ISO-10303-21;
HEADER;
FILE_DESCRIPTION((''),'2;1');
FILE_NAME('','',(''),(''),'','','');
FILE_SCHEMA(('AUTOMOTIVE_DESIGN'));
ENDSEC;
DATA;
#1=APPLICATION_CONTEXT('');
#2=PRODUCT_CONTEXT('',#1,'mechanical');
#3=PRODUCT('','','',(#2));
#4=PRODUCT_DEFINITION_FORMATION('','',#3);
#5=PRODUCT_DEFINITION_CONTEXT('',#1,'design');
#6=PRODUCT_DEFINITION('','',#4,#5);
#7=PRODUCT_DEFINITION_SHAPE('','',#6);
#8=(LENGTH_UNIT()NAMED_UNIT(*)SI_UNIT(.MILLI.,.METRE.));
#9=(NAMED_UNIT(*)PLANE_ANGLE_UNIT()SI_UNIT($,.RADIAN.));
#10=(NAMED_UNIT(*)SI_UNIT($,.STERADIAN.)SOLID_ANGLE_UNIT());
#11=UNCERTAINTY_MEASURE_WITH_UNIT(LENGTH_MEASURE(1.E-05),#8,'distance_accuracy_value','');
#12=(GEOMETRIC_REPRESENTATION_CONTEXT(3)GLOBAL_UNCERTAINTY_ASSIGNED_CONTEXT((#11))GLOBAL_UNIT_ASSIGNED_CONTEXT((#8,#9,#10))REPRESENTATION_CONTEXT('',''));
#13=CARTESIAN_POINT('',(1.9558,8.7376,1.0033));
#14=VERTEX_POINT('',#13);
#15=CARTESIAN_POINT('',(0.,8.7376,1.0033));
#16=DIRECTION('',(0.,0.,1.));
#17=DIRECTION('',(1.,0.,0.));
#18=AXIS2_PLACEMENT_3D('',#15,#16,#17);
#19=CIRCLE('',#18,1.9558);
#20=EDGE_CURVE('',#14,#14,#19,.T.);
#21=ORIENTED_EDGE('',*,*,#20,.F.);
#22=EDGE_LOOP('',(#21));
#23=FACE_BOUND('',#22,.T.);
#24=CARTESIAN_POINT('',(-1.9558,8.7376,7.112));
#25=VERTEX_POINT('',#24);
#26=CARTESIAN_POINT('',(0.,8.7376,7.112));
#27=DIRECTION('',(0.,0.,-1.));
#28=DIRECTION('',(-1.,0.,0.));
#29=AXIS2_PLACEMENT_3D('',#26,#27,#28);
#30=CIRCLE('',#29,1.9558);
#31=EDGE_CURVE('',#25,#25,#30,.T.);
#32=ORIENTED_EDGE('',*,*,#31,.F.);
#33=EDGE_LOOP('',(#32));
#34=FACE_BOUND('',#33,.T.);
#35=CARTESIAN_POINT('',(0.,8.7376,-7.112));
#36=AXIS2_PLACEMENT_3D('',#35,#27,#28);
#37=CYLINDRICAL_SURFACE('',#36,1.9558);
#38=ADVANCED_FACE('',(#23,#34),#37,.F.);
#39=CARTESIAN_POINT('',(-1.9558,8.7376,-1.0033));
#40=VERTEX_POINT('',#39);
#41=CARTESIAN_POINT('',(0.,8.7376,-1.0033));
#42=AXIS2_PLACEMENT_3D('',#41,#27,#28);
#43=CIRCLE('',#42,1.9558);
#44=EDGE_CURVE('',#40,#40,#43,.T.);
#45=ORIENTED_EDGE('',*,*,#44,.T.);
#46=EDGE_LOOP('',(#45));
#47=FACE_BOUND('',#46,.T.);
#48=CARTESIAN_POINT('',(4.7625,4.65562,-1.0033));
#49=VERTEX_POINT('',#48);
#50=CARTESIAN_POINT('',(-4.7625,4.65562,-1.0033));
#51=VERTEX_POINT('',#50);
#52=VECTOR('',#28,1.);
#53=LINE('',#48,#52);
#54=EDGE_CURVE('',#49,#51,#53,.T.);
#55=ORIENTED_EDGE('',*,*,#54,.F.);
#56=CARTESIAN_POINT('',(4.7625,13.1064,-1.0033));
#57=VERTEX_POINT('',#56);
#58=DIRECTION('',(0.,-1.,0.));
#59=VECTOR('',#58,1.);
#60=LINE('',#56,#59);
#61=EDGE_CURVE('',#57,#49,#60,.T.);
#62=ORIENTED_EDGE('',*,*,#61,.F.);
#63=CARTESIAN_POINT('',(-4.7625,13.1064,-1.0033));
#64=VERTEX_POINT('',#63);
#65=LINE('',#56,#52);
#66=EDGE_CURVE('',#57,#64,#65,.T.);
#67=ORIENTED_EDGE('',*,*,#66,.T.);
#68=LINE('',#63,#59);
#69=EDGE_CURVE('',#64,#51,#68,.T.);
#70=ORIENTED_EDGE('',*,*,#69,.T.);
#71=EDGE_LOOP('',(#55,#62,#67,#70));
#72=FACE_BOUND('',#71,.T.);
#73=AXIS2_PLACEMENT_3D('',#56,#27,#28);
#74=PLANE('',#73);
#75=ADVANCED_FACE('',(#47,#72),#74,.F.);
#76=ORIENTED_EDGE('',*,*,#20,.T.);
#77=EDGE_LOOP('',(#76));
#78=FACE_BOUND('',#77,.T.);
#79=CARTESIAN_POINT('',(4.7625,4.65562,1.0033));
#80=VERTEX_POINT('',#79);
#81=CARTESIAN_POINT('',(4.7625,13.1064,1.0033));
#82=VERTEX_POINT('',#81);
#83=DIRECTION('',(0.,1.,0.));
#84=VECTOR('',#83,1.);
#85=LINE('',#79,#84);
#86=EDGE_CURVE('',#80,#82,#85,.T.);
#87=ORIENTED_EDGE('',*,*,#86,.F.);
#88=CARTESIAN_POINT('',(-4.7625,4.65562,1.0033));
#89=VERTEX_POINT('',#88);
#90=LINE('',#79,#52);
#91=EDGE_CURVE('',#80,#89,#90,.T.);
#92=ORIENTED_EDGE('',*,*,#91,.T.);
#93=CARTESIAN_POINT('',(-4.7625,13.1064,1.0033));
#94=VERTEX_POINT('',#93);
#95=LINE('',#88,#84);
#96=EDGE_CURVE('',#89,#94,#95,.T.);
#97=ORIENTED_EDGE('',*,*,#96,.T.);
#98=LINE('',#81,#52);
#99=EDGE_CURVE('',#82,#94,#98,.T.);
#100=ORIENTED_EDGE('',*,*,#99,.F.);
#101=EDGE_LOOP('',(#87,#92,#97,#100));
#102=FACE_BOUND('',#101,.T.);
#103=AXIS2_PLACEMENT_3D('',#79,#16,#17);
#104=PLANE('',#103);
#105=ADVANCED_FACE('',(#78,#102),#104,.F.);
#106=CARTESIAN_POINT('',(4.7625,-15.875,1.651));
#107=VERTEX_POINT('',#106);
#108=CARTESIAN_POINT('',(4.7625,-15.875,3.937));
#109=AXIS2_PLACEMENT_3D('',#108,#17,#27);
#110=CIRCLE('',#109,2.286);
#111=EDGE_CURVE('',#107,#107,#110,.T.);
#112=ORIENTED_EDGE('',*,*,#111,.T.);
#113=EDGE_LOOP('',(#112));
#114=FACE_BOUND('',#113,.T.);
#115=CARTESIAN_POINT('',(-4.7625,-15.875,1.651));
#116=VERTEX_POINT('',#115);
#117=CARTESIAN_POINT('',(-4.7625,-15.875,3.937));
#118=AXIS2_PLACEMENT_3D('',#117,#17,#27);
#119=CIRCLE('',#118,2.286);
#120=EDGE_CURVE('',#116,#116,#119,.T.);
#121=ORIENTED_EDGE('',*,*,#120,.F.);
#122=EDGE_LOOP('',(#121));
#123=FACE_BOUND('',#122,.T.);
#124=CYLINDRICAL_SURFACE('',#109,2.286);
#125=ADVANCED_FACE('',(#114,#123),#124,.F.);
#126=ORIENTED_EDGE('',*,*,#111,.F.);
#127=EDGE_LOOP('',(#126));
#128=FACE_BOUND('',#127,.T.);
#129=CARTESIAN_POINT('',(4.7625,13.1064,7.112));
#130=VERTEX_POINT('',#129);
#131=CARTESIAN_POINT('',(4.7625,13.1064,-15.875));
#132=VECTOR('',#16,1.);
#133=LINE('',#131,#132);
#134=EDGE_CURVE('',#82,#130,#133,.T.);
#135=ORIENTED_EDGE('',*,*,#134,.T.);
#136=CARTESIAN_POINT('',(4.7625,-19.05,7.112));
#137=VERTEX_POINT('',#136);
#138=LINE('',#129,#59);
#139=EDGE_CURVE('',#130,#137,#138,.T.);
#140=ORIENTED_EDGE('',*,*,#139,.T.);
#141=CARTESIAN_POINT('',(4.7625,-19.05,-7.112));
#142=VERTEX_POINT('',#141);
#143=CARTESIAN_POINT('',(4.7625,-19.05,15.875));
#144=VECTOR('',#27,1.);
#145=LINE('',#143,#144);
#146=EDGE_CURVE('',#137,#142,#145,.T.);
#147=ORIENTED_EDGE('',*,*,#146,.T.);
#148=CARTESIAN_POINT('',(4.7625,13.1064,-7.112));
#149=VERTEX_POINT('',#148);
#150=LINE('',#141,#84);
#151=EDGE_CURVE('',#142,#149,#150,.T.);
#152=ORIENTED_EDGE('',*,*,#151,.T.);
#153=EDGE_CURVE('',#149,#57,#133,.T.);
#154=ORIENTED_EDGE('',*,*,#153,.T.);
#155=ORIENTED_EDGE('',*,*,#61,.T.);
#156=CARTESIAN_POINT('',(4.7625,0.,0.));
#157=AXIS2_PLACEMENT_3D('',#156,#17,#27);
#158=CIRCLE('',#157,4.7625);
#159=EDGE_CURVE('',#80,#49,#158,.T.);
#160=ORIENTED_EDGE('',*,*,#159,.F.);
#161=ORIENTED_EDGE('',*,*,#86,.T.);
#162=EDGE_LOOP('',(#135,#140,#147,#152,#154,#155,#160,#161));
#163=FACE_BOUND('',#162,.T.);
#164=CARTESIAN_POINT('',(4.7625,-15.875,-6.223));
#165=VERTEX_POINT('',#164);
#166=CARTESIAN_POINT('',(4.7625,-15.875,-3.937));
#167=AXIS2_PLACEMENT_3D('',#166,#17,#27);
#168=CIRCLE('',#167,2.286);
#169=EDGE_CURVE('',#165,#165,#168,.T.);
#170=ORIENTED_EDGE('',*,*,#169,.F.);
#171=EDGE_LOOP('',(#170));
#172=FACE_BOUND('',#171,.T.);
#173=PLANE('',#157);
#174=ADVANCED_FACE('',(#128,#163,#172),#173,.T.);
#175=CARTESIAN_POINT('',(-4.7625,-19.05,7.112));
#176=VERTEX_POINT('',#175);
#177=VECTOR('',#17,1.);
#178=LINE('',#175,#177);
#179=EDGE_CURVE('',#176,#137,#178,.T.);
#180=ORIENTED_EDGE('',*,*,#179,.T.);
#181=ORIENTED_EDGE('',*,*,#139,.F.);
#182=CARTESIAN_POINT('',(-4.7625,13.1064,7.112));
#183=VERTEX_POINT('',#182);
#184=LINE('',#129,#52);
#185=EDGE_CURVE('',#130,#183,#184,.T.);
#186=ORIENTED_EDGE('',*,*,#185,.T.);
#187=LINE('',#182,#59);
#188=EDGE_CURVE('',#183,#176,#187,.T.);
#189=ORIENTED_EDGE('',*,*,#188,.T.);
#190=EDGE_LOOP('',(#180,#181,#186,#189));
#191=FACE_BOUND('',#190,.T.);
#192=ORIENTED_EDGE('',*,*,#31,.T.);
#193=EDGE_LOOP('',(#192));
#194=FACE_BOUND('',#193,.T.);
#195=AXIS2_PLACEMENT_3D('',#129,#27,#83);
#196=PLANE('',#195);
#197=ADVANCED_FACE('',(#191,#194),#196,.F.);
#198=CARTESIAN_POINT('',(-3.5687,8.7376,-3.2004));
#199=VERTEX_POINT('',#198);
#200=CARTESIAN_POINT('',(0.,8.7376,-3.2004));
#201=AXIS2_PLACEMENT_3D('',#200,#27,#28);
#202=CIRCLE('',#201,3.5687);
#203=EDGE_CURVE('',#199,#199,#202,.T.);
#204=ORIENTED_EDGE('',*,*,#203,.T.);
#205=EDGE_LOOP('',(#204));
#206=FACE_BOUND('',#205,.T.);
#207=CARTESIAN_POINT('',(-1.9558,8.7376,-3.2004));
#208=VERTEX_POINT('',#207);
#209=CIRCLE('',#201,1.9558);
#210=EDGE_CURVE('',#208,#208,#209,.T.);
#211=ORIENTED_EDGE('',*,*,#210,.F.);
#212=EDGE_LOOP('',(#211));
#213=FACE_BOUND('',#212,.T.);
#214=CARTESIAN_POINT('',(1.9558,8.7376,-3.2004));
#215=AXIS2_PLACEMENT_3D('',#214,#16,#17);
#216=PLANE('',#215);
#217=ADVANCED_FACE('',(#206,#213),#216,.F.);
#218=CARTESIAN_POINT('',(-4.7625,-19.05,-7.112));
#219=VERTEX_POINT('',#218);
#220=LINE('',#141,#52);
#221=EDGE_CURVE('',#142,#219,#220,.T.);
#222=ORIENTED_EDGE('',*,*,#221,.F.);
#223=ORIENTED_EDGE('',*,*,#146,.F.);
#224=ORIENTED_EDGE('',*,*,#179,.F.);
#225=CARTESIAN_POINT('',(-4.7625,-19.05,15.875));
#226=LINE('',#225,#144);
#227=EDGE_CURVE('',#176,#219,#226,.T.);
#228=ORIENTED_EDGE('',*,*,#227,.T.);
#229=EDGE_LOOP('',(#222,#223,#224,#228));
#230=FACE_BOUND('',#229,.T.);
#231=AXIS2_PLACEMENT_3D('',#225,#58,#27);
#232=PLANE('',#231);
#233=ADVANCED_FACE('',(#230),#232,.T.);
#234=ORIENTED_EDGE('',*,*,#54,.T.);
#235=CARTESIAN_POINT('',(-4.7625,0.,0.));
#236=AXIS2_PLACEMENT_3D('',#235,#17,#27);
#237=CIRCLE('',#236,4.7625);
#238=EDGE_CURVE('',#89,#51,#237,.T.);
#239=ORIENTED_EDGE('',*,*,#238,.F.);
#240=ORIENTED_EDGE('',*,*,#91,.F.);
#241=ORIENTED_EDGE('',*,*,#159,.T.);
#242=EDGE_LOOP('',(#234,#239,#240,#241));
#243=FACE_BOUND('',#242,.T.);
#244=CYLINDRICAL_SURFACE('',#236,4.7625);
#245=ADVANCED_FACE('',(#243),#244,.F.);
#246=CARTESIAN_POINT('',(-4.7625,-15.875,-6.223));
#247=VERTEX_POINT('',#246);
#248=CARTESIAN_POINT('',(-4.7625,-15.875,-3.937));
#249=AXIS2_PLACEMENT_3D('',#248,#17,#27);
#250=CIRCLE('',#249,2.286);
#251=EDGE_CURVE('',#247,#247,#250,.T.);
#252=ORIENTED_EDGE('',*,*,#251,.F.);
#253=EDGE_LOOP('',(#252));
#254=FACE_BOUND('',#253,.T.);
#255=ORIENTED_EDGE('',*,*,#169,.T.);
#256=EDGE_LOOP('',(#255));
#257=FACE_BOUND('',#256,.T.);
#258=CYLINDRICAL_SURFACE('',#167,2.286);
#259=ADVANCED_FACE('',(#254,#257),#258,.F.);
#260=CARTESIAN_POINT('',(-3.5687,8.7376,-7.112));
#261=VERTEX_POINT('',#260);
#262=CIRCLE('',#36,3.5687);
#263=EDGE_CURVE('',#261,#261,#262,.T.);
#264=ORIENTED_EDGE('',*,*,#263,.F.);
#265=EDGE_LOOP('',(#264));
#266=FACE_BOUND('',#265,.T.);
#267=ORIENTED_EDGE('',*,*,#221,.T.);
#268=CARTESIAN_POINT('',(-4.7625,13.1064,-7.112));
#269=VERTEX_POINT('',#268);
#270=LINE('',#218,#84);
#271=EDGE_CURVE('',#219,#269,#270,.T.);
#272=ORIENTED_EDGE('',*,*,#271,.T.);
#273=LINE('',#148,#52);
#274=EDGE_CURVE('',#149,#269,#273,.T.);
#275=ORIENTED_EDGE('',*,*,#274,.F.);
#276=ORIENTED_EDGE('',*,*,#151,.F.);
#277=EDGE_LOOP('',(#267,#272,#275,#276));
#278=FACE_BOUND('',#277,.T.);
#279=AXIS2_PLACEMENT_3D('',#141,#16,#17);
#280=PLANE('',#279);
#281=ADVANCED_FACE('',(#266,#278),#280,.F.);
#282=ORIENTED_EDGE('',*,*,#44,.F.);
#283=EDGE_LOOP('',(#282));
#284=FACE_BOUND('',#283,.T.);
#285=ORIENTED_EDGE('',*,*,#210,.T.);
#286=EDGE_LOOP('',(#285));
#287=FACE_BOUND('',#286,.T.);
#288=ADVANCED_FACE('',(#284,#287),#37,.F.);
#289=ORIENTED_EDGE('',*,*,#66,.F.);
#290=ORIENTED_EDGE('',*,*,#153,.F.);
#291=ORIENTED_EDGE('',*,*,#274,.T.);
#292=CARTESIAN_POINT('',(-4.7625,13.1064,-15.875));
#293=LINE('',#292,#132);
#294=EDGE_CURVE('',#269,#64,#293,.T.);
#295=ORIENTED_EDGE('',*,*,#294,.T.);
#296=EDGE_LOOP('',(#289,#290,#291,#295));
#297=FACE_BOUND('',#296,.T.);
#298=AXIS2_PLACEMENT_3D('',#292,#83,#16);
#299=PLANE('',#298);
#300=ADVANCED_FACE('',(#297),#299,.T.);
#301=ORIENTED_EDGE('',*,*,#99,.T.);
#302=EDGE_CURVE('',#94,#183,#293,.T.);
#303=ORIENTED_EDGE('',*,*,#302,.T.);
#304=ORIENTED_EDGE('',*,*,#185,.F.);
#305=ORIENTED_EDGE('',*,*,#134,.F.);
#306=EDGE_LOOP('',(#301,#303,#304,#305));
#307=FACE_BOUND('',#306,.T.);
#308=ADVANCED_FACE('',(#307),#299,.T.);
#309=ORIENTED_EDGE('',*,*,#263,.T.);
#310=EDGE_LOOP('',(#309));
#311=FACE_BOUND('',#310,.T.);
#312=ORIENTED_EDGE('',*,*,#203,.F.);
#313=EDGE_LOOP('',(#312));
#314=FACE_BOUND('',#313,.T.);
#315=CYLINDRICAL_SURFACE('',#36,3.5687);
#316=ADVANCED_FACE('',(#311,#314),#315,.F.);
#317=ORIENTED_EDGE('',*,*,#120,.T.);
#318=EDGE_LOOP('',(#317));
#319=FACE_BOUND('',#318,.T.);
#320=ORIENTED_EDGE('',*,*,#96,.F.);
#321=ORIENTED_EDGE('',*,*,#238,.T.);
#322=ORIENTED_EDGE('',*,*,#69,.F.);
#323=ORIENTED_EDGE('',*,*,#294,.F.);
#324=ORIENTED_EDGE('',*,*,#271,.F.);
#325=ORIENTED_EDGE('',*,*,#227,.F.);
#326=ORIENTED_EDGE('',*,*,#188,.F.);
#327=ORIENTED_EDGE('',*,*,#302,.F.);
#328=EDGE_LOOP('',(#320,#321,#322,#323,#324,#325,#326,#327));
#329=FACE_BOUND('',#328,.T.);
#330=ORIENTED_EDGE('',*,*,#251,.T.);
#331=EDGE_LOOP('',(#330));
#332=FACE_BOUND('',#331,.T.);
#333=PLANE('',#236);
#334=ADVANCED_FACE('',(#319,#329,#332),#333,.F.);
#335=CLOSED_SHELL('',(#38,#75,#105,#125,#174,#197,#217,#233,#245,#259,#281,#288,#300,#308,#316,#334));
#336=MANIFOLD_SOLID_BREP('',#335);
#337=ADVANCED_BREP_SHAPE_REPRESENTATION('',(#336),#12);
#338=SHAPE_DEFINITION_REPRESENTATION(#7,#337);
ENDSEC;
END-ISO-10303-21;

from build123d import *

# Parameters (mm, degrees)
SKETCH1_W                                          = 31.75
SKETCH1_H                                          = 32.1564
BOSS_EXTRUDE1_DEPTH                                = 9.525
SKETCH2_W                                          = 8.763
SKETCH2_H                                          = 32.1564
CUT_EXTRUDE1_DEPTH                                 = 27.563955842
CUT_EXTRUDE2_DEPTH                                 = 27.563955842
SKETCH4_W                                          = 8.763
SKETCH4_H                                          = 32.16
CUT_EXTRUDE3_DEPTH                                 = 27.563955842
SKETCH5_W                                          = 9.525
SKETCH5_H                                          = 4.7625
SKETCH6_W                                          = 1.3208
SKETCH6_H                                          = 6.1087
CBORE_FOR_M3_5_HEX_HEAD_MACHINE_SCREW1_D           = 3.9116
CBORE_FOR_M3_5_HEX_HEAD_MACHINE_SCREW1_DEPTH       = 14.224
CBORE_FOR_M3_5_HEX_HEAD_MACHINE_SCREW1_CBORE_D     = 7.1374
CBORE_FOR_M3_5_HEX_HEAD_MACHINE_SCREW1_CBORE_DEPTH = 3.9116
M4_CLEARANCE_HOLE1_D                               = 4.572


with BuildPart() as part:
    # Sketch1 → Boss-Extrude1 (new body)
    with BuildSketch(Plane(origin=(4.7625, 0, 0), x_dir=(0, 0, -1), z_dir=(1, 0, 0))):
        with Locations((0, -2.9718)):
            Rectangle(SKETCH1_W, SKETCH1_H)
    extrude(amount=-BOSS_EXTRUDE1_DEPTH)

    # Sketch2 → Cut-Extrude1 (cut, through all)
    with BuildSketch(Plane.ZY.offset(4.7625)):
        with Locations((-11.4935, -2.9718)):
            Rectangle(SKETCH2_W, SKETCH2_H)
    extrude(amount=-CUT_EXTRUDE1_DEPTH, mode=Mode.SUBTRACT)

    # Sketch3 → Cut-Extrude2 (cut, through all)
    with BuildSketch(Plane.ZY.offset(4.7625)):
        with BuildLine():
            Line((1.0033, 13.1064), (-1.0033, 13.1064))
            Line((-1.0033, 13.1064), (-1.0033, 4.655619761))
            ThreePointArc((-1.0033, 4.655619761), (0, 4.7625), (1.0033, 4.655619761))
            Line((1.0033, 4.655619761), (1.0033, 13.1064))
        make_face()
    extrude(amount=-CUT_EXTRUDE2_DEPTH, mode=Mode.SUBTRACT)

    # Sketch4 → Cut-Extrude3 (cut, through all)
    with BuildSketch(Plane.ZY.offset(4.7625)):
        with Locations((11.4935, -2.9736)):
            Rectangle(SKETCH4_W, SKETCH4_H)
    extrude(amount=-CUT_EXTRUDE3_DEPTH, mode=Mode.SUBTRACT)

    # Sketch5 → Cut-Revolve1 (revolve, cut)
    with BuildSketch(Plane.XY):
        with Locations((0, 2.38125)):
            Rectangle(SKETCH5_W, SKETCH5_H)
    revolve(axis=Axis((-4.7625, 0, 0), (1, 0, 0)), mode=Mode.SUBTRACT)

    # Sketch6 → Hole1 (revolve, cut)
    with BuildSketch(Plane(origin=(0, 8.7376, 1.0033), x_dir=(0, 1, 0), z_dir=(1, 0, 0))):
        with Locations((0.6604, 3.05435)):
            Rectangle(SKETCH6_W, SKETCH6_H)
    revolve(axis=Axis((0, 8.7376, 111.0033), (0, 0, -1)), mode=Mode.SUBTRACT)

    # CBORE for M3.5 Hex Head Machine Screw1
    with Locations(Plane(origin=(0, 0, -7.112), x_dir=(-1, 0, 0), z_dir=(0, 0, -1))):
        with Locations((0, 8.7376)):
            CounterBoreHole(CBORE_FOR_M3_5_HEX_HEAD_MACHINE_SCREW1_D / 2, CBORE_FOR_M3_5_HEX_HEAD_MACHINE_SCREW1_CBORE_D / 2, CBORE_FOR_M3_5_HEX_HEAD_MACHINE_SCREW1_CBORE_DEPTH, depth=CBORE_FOR_M3_5_HEX_HEAD_MACHINE_SCREW1_DEPTH)

    # M4 Clearance Hole1 (through all)
    with Locations(Plane(origin=(4.7625, -17.4625, 0), x_dir=(0, 1, 0), z_dir=(1, 0, 0))):
        with Locations((1.5875, -3.937), (1.5875, 3.937)):
            Hole(M4_CLEARANCE_HOLE1_D / 2)


solid = part.part
